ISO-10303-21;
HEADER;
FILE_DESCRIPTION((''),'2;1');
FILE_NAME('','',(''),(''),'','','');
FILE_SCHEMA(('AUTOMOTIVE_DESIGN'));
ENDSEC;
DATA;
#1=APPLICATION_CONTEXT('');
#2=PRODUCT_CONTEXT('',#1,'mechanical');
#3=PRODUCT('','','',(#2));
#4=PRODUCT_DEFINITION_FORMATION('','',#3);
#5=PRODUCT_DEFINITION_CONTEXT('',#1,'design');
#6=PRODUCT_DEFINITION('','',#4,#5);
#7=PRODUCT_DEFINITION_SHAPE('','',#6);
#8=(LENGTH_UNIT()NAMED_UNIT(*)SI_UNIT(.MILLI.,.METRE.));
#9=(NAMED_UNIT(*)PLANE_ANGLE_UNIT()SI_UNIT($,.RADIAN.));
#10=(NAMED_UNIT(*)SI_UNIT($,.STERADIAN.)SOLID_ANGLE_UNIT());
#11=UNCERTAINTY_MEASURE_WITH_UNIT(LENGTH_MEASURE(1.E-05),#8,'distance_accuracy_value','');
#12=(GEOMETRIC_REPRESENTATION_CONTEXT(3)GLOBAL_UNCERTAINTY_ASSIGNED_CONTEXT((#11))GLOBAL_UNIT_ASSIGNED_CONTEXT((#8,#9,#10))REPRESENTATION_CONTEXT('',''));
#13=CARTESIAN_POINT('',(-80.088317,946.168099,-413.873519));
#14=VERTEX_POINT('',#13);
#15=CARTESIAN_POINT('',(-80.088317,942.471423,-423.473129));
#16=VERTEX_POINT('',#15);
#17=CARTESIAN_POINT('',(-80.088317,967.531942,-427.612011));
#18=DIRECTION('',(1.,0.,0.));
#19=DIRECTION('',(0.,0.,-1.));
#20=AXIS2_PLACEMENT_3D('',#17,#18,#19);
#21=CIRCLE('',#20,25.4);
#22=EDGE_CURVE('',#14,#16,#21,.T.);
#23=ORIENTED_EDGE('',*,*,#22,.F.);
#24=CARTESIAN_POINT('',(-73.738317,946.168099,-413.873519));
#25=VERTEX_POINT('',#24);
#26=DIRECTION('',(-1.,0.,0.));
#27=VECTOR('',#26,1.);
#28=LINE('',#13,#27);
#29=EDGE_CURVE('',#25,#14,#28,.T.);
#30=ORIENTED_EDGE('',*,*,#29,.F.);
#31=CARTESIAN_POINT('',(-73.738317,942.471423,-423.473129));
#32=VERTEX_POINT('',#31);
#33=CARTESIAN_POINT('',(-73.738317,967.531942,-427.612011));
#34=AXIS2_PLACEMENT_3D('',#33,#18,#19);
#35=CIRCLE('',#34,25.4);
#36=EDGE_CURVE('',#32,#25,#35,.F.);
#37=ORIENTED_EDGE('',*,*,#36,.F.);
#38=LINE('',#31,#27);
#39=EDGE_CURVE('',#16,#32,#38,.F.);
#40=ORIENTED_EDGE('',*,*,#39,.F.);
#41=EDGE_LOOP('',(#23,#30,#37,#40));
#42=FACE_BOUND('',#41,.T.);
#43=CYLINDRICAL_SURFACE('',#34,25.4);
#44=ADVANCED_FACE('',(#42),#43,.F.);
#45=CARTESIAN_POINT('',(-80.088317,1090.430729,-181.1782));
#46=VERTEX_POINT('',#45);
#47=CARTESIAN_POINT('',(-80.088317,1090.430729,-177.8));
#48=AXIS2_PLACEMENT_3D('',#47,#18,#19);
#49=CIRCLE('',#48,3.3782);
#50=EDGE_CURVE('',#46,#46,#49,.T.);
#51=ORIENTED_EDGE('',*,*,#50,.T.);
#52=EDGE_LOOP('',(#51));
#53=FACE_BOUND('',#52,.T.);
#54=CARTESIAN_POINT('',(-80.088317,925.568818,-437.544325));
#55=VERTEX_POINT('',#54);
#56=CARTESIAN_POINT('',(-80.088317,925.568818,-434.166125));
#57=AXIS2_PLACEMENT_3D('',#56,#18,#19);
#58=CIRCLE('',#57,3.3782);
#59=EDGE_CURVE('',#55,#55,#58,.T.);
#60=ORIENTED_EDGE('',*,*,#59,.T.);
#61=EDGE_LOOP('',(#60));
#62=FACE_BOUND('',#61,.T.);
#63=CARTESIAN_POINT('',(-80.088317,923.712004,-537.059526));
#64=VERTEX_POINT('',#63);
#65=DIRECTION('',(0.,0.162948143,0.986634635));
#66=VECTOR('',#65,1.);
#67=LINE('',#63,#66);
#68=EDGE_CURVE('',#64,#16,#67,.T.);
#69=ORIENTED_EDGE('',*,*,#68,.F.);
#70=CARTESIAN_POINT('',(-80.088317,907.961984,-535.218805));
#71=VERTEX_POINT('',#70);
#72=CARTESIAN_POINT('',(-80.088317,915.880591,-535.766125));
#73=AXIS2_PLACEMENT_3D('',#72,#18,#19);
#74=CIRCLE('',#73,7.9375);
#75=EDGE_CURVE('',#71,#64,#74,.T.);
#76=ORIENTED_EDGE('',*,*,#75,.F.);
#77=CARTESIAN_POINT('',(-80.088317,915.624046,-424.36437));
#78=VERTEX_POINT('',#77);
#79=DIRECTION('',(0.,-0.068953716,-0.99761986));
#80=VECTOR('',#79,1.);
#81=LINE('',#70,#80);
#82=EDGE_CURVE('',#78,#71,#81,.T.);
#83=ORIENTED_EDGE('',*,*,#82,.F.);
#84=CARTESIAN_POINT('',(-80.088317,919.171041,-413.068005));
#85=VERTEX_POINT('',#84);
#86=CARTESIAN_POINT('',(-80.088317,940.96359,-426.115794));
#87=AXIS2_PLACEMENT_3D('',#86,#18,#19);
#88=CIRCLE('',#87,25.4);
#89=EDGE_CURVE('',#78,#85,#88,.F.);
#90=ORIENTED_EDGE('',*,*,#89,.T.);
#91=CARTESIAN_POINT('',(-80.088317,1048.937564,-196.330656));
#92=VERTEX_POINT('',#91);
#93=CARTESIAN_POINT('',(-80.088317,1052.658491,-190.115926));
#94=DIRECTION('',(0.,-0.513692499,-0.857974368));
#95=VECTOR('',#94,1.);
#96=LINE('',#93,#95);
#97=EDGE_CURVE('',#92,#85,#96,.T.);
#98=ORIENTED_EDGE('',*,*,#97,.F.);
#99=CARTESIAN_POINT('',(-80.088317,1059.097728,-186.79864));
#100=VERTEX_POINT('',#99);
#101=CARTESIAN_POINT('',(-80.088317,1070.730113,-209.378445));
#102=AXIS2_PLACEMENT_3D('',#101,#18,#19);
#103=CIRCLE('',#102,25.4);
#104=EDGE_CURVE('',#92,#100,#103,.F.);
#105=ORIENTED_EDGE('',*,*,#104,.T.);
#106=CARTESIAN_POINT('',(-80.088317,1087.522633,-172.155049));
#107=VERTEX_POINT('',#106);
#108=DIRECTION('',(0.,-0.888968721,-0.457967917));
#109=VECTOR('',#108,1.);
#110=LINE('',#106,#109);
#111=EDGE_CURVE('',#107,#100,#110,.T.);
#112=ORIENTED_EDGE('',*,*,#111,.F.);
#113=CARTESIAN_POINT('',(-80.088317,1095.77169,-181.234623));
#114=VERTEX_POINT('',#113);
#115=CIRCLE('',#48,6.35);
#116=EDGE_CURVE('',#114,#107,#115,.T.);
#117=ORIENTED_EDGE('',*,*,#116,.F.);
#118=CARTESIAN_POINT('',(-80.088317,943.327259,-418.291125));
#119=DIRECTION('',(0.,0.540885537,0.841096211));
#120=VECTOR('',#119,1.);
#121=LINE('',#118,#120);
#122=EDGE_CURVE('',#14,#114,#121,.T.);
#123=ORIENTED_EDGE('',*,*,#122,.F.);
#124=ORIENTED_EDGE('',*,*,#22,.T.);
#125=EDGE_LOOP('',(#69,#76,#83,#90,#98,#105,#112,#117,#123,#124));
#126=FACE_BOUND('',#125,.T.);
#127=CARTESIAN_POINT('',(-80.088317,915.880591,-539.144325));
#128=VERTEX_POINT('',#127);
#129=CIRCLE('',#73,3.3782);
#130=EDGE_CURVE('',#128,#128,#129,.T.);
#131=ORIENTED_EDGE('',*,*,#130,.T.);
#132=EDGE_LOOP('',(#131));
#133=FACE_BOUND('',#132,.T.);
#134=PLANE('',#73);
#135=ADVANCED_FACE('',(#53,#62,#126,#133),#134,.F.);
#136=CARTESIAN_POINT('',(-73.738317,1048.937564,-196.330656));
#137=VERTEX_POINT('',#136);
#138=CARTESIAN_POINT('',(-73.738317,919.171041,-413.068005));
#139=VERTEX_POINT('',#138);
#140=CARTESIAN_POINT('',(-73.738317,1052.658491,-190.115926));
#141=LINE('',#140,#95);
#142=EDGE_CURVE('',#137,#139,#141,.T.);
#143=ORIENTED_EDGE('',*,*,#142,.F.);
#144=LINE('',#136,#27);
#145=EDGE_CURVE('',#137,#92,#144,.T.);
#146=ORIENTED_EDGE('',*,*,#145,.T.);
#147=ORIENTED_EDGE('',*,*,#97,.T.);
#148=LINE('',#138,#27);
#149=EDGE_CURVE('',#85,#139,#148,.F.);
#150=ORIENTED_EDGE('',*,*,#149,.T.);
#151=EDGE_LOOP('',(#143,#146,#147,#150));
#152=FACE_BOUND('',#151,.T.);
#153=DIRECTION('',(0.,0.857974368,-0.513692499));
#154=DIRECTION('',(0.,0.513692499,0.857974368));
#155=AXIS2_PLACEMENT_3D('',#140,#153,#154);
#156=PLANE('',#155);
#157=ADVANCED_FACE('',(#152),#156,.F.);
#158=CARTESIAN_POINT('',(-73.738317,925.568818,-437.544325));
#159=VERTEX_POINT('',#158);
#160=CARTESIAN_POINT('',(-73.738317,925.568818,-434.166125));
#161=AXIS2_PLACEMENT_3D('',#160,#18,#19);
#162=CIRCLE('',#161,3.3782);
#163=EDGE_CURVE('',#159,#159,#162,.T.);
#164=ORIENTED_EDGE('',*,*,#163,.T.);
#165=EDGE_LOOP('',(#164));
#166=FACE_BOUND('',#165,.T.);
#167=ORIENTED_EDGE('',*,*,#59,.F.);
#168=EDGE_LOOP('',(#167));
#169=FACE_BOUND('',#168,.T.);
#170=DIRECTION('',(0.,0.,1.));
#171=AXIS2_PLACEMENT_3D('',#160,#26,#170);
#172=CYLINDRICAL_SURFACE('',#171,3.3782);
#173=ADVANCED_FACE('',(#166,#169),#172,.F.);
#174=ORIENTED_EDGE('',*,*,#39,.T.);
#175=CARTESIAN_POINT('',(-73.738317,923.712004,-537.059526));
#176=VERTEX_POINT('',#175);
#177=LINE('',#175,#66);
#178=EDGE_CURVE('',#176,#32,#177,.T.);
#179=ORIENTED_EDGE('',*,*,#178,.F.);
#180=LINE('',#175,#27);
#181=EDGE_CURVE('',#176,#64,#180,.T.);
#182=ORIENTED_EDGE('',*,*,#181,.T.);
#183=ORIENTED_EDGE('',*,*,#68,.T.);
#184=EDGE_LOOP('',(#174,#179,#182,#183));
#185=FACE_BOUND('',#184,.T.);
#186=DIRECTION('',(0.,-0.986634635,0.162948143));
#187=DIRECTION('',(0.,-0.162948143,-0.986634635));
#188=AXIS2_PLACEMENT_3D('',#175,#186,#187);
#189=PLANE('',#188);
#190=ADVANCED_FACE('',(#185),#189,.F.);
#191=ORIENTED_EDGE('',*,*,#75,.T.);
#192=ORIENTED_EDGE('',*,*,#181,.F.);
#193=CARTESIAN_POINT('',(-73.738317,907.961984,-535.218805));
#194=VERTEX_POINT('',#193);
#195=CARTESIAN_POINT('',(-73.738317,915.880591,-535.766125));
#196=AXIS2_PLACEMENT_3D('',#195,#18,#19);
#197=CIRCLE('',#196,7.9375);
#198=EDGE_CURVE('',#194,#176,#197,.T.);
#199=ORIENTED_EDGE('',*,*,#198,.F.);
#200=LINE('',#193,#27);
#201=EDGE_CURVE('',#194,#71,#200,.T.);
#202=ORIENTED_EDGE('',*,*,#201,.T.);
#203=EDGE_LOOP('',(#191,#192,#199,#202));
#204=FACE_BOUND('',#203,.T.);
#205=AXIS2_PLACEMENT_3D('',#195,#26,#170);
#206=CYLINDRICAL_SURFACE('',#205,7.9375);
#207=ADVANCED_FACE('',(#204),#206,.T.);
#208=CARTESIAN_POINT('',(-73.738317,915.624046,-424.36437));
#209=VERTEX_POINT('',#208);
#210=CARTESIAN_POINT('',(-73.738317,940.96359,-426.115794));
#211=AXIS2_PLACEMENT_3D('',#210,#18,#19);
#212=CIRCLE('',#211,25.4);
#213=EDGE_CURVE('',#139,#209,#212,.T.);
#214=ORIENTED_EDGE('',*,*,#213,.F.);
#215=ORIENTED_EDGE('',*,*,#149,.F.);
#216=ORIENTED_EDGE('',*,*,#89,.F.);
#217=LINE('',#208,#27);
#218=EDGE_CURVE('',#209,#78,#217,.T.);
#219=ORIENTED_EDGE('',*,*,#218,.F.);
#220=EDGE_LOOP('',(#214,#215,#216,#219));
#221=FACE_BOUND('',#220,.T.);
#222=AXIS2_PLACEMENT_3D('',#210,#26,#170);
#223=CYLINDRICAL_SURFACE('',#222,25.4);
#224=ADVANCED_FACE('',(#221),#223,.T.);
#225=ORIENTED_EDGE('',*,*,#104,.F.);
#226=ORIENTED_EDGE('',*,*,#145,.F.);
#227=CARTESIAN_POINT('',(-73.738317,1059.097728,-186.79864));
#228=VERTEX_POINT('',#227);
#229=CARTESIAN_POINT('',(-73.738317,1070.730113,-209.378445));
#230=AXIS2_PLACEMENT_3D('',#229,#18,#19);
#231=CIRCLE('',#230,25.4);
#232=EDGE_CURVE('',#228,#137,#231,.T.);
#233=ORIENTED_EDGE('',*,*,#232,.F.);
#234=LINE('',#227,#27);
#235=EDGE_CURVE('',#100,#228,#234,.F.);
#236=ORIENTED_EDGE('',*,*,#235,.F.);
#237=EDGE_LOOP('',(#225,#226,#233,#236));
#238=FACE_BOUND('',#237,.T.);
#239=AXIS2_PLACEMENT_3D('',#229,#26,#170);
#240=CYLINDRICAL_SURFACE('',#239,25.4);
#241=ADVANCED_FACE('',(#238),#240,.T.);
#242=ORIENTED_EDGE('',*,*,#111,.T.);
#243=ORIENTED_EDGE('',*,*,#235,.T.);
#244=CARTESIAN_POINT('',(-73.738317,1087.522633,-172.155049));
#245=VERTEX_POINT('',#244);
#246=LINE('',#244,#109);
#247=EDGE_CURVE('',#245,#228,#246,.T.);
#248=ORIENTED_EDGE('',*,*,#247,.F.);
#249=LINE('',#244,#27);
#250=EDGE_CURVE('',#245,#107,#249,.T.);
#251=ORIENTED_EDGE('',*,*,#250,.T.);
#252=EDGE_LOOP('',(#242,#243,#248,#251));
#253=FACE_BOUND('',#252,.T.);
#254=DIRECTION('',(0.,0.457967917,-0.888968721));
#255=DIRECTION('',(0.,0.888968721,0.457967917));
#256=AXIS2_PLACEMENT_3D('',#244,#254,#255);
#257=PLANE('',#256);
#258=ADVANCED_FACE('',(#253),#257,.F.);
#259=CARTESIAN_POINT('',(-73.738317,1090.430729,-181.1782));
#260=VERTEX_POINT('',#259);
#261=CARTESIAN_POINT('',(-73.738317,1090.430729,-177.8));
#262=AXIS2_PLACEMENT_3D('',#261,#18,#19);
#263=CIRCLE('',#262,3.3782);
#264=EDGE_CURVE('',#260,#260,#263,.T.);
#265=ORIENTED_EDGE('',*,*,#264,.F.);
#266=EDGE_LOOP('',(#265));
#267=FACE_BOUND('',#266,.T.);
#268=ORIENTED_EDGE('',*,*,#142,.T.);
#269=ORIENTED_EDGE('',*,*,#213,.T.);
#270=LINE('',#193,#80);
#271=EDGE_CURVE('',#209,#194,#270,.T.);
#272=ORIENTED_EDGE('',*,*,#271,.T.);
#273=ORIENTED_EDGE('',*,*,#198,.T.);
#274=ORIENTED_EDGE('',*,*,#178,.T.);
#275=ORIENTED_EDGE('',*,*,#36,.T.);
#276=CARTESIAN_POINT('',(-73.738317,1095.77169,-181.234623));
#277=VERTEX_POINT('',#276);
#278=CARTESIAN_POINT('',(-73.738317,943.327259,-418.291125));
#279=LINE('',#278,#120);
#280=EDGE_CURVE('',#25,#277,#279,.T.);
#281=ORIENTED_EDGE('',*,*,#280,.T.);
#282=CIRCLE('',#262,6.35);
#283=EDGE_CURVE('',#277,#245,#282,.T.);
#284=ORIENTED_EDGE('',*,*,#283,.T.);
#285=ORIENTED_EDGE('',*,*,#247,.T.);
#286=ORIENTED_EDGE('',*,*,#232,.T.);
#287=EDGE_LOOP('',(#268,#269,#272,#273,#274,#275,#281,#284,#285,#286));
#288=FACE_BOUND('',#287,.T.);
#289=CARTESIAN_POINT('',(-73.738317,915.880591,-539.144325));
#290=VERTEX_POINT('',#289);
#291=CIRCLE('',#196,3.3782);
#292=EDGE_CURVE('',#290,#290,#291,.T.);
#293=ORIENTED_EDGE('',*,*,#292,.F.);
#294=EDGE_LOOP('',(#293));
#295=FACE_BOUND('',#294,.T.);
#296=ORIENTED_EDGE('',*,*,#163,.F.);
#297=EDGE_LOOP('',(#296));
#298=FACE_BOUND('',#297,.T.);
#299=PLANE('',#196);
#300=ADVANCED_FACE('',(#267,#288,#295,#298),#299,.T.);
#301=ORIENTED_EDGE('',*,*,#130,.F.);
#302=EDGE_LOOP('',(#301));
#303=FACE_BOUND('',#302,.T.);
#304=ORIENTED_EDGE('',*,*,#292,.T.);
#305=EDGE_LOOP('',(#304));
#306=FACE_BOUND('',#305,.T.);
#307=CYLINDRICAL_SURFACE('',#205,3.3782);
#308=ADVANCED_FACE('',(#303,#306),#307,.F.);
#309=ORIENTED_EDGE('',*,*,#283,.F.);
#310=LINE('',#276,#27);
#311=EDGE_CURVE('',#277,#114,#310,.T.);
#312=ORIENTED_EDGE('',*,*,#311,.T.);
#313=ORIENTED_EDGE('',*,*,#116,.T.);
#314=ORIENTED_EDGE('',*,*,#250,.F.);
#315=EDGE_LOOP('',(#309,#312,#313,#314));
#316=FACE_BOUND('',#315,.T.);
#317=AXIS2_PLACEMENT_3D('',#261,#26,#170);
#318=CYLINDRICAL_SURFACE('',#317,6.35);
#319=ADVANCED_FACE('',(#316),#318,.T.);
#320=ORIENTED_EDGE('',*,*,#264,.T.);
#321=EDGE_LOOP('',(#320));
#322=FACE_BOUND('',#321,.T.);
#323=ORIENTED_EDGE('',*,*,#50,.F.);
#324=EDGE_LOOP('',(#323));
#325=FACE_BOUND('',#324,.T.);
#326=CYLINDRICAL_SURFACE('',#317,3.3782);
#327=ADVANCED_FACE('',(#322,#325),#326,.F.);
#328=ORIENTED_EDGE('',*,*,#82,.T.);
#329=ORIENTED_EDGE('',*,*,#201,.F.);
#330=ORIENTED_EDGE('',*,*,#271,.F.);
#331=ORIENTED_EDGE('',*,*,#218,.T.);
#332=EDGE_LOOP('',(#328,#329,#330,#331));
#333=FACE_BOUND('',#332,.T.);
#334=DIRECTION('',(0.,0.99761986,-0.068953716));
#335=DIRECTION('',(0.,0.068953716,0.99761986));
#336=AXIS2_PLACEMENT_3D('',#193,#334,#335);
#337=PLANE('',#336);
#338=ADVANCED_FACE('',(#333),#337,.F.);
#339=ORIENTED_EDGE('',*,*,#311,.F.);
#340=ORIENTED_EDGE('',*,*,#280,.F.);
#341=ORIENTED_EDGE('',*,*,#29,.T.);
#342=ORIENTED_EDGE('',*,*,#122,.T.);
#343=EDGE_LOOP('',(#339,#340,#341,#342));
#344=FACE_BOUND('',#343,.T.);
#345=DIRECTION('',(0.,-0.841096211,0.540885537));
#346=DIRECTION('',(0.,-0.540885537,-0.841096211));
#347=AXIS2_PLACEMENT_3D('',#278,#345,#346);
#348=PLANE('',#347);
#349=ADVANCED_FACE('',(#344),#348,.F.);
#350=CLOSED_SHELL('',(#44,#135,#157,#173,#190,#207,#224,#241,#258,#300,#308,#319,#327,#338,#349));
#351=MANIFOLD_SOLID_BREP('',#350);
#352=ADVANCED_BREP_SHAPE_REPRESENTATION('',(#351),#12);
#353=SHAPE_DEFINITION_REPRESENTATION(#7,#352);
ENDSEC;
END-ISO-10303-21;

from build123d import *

# Parameters (mm, degrees)
SKETCH1_R           = 3.3782
BOSS_EXTRUDE1_DEPTH = 3.175
FILLET1_R           = 25.4


with BuildPart() as part:
    # Sketch1 → Boss-Extrude1 (new, symmetric)
    with BuildSketch(Plane(origin=(-76.913317281, 0, 0), x_dir=(0, 0, -1), z_dir=(1, 0, 0))):
        with BuildLine():
            Line((535.218804975, 907.961983625), (418.2911251, 916.04381761))
            Line((418.2911251, 916.04381761), (190.115926381, 1052.658490892))
            Line((190.115926381, 1052.658490892), (172.155048622, 1087.522632949))
            ThreePointArc((172.155048622, 1087.522632949), (173.529973777, 1095.130662847), (181.234623159, 1095.771690164))
            Line((181.234623159, 1095.771690164), (418.2911251, 943.327259155))
            Line((418.2911251, 943.327259155), (537.059525989, 923.712003677))
            ThreePointArc((537.059525989, 923.712003677), (543.649965664, 914.959198723), (535.218804975, 907.961983625))
        make_face()
        with Locations((177.8, 1090.430729224)):
            Circle(SKETCH1_R, mode=Mode.SUBTRACT)
        with Locations((434.1661251, 925.56881761)):
            Circle(SKETCH1_R, mode=Mode.SUBTRACT)
        with Locations((535.7661251, 915.880591264)):
            Circle(SKETCH1_R, mode=Mode.SUBTRACT)
    extrude(amount=BOSS_EXTRUDE1_DEPTH, both=True)

    # Fillet1
    fillet1_edges = [part.edges().sort_by_distance(p)[0] for p in [
        (-76.913317281, 916.04381761, -418.2911251),
        (-76.913317281, 1052.658490892, -190.115926381),
        (-76.913317281, 943.327259155, -418.2911251),
    ]]
    fillet(fillet1_edges, radius=FILLET1_R)


solid = part.part
